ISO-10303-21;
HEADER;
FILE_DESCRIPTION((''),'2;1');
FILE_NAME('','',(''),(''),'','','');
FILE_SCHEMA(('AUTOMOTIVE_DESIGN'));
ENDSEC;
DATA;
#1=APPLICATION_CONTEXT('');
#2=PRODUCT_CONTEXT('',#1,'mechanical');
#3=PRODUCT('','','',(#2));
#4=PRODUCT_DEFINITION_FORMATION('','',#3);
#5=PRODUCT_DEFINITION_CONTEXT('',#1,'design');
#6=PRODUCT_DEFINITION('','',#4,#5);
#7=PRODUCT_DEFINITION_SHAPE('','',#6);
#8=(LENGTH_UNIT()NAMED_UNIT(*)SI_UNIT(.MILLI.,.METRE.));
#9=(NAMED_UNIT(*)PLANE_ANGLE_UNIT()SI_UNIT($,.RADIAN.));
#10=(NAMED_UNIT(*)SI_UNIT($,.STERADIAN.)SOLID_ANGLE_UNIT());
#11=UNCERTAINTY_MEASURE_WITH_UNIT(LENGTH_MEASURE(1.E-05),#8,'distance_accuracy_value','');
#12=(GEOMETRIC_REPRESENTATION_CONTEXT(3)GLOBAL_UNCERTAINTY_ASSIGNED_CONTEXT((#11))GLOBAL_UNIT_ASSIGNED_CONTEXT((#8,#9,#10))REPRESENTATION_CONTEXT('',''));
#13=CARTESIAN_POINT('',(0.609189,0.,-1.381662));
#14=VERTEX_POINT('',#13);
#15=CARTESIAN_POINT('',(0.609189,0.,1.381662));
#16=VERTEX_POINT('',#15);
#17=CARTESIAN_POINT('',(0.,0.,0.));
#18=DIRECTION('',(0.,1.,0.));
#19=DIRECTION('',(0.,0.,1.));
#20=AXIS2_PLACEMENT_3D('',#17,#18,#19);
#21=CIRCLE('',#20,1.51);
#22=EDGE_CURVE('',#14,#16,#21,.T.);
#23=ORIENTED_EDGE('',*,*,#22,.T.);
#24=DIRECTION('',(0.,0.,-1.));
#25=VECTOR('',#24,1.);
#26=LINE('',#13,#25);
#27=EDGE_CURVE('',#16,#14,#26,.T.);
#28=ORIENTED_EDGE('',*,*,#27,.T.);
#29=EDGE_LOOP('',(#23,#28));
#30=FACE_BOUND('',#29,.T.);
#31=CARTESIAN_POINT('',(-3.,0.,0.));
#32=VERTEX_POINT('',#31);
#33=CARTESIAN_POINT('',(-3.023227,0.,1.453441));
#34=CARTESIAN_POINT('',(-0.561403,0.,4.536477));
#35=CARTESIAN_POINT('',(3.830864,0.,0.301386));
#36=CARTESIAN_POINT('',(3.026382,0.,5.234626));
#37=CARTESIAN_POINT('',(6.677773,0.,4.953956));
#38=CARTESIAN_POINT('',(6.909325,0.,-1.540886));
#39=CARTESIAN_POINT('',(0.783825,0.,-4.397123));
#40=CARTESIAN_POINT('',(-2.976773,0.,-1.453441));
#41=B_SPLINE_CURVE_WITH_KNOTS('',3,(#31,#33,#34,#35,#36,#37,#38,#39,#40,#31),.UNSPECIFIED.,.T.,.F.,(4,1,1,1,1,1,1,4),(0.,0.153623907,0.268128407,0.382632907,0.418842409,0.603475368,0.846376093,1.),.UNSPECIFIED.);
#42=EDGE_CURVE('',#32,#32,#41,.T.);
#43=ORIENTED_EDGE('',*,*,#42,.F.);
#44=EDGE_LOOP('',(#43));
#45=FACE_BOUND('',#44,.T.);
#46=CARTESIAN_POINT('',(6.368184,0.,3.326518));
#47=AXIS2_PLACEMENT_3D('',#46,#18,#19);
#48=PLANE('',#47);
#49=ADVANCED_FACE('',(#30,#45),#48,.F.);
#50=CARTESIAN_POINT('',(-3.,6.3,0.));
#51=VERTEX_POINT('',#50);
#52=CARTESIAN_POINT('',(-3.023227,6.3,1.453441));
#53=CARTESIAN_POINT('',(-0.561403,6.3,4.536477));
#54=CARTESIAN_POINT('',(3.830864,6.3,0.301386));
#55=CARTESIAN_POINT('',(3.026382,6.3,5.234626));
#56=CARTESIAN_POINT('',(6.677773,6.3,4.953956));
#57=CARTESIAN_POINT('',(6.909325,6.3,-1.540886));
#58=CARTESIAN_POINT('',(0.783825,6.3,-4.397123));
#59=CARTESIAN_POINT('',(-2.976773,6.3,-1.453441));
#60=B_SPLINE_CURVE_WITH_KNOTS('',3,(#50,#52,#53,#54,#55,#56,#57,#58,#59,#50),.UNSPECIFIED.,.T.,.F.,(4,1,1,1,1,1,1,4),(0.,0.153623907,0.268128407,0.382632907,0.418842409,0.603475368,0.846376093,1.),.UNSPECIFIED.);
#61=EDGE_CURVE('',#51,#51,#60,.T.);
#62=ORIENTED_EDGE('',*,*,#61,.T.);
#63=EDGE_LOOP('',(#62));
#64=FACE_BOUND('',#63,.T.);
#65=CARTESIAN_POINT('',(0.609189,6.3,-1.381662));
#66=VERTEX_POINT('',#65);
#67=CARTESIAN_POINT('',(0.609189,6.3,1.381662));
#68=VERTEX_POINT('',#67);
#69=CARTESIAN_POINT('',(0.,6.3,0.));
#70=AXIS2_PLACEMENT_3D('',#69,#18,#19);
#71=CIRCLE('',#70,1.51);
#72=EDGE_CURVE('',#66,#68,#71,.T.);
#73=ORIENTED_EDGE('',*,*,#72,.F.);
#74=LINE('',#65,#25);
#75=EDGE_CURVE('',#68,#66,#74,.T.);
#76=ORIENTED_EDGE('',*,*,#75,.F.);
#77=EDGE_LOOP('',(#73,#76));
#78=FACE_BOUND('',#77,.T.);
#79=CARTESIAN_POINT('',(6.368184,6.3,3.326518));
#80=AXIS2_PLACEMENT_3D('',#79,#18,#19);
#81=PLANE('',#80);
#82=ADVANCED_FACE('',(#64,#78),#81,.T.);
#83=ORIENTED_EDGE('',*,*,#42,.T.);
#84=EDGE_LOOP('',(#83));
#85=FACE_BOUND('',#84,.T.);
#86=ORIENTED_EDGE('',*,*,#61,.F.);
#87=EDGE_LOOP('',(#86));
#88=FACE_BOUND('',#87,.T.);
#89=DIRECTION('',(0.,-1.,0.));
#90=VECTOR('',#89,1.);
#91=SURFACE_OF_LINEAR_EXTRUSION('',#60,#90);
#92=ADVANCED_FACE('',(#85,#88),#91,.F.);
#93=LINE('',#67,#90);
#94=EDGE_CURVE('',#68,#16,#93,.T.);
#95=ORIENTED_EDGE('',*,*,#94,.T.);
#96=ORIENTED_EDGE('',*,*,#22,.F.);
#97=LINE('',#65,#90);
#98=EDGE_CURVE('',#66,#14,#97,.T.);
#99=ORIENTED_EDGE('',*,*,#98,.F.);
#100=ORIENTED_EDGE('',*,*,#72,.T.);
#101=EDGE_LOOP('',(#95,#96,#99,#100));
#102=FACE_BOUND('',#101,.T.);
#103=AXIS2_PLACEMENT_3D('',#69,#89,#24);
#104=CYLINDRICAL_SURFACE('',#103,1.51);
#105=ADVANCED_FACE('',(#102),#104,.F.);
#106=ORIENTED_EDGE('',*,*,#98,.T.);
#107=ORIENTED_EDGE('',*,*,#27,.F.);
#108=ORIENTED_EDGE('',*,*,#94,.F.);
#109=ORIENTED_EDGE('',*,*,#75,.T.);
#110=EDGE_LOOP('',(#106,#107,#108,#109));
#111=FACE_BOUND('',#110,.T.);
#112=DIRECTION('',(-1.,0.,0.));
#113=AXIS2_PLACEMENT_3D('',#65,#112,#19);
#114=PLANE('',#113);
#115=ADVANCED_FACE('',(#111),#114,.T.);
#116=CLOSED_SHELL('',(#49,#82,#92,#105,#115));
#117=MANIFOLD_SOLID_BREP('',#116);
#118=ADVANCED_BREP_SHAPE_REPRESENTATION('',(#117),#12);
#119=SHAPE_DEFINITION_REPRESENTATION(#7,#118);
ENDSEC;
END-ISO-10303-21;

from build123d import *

# Parameters (mm, degrees)
BOSS_EXTRUDE1_DEPTH = 6.3


with BuildPart() as part:
    # Sketch1 → Boss-Extrude1 (new body)
    with BuildSketch(Plane(origin=(0, 0, 0), x_dir=(1, 0, 0), z_dir=(0, 1, 0))):
        with BuildLine():
            add(Edge.make_bspline(
                [(-3, 0), (-2.976773332, 1.453440684), (0.783824637, 4.397122695), (6.909325202, 1.540885965), (6.677772715, -4.953955768), (3.026382216, -5.234625788), (3.830864242, -0.30138575), (-0.561402622, -4.536477223), (-3.023226668, -1.453440684), (-3, 0)],
                knots=[0, 0, 0, 0, 0.153623907, 0.396524632, 0.581157591, 0.617367093, 0.731871593, 0.846376093, 1, 1, 1, 1], degree=3))
        make_face()
        with BuildLine():
            Line((0.6091886, 1.381661771), (0.6091886, -1.381661771))
            ThreePointArc((0.6091886, -1.381661771), (-1.51, 0), (0.6091886, 1.381661771))
        make_face(mode=Mode.SUBTRACT)
    extrude(amount=BOSS_EXTRUDE1_DEPTH)


solid = part.part
